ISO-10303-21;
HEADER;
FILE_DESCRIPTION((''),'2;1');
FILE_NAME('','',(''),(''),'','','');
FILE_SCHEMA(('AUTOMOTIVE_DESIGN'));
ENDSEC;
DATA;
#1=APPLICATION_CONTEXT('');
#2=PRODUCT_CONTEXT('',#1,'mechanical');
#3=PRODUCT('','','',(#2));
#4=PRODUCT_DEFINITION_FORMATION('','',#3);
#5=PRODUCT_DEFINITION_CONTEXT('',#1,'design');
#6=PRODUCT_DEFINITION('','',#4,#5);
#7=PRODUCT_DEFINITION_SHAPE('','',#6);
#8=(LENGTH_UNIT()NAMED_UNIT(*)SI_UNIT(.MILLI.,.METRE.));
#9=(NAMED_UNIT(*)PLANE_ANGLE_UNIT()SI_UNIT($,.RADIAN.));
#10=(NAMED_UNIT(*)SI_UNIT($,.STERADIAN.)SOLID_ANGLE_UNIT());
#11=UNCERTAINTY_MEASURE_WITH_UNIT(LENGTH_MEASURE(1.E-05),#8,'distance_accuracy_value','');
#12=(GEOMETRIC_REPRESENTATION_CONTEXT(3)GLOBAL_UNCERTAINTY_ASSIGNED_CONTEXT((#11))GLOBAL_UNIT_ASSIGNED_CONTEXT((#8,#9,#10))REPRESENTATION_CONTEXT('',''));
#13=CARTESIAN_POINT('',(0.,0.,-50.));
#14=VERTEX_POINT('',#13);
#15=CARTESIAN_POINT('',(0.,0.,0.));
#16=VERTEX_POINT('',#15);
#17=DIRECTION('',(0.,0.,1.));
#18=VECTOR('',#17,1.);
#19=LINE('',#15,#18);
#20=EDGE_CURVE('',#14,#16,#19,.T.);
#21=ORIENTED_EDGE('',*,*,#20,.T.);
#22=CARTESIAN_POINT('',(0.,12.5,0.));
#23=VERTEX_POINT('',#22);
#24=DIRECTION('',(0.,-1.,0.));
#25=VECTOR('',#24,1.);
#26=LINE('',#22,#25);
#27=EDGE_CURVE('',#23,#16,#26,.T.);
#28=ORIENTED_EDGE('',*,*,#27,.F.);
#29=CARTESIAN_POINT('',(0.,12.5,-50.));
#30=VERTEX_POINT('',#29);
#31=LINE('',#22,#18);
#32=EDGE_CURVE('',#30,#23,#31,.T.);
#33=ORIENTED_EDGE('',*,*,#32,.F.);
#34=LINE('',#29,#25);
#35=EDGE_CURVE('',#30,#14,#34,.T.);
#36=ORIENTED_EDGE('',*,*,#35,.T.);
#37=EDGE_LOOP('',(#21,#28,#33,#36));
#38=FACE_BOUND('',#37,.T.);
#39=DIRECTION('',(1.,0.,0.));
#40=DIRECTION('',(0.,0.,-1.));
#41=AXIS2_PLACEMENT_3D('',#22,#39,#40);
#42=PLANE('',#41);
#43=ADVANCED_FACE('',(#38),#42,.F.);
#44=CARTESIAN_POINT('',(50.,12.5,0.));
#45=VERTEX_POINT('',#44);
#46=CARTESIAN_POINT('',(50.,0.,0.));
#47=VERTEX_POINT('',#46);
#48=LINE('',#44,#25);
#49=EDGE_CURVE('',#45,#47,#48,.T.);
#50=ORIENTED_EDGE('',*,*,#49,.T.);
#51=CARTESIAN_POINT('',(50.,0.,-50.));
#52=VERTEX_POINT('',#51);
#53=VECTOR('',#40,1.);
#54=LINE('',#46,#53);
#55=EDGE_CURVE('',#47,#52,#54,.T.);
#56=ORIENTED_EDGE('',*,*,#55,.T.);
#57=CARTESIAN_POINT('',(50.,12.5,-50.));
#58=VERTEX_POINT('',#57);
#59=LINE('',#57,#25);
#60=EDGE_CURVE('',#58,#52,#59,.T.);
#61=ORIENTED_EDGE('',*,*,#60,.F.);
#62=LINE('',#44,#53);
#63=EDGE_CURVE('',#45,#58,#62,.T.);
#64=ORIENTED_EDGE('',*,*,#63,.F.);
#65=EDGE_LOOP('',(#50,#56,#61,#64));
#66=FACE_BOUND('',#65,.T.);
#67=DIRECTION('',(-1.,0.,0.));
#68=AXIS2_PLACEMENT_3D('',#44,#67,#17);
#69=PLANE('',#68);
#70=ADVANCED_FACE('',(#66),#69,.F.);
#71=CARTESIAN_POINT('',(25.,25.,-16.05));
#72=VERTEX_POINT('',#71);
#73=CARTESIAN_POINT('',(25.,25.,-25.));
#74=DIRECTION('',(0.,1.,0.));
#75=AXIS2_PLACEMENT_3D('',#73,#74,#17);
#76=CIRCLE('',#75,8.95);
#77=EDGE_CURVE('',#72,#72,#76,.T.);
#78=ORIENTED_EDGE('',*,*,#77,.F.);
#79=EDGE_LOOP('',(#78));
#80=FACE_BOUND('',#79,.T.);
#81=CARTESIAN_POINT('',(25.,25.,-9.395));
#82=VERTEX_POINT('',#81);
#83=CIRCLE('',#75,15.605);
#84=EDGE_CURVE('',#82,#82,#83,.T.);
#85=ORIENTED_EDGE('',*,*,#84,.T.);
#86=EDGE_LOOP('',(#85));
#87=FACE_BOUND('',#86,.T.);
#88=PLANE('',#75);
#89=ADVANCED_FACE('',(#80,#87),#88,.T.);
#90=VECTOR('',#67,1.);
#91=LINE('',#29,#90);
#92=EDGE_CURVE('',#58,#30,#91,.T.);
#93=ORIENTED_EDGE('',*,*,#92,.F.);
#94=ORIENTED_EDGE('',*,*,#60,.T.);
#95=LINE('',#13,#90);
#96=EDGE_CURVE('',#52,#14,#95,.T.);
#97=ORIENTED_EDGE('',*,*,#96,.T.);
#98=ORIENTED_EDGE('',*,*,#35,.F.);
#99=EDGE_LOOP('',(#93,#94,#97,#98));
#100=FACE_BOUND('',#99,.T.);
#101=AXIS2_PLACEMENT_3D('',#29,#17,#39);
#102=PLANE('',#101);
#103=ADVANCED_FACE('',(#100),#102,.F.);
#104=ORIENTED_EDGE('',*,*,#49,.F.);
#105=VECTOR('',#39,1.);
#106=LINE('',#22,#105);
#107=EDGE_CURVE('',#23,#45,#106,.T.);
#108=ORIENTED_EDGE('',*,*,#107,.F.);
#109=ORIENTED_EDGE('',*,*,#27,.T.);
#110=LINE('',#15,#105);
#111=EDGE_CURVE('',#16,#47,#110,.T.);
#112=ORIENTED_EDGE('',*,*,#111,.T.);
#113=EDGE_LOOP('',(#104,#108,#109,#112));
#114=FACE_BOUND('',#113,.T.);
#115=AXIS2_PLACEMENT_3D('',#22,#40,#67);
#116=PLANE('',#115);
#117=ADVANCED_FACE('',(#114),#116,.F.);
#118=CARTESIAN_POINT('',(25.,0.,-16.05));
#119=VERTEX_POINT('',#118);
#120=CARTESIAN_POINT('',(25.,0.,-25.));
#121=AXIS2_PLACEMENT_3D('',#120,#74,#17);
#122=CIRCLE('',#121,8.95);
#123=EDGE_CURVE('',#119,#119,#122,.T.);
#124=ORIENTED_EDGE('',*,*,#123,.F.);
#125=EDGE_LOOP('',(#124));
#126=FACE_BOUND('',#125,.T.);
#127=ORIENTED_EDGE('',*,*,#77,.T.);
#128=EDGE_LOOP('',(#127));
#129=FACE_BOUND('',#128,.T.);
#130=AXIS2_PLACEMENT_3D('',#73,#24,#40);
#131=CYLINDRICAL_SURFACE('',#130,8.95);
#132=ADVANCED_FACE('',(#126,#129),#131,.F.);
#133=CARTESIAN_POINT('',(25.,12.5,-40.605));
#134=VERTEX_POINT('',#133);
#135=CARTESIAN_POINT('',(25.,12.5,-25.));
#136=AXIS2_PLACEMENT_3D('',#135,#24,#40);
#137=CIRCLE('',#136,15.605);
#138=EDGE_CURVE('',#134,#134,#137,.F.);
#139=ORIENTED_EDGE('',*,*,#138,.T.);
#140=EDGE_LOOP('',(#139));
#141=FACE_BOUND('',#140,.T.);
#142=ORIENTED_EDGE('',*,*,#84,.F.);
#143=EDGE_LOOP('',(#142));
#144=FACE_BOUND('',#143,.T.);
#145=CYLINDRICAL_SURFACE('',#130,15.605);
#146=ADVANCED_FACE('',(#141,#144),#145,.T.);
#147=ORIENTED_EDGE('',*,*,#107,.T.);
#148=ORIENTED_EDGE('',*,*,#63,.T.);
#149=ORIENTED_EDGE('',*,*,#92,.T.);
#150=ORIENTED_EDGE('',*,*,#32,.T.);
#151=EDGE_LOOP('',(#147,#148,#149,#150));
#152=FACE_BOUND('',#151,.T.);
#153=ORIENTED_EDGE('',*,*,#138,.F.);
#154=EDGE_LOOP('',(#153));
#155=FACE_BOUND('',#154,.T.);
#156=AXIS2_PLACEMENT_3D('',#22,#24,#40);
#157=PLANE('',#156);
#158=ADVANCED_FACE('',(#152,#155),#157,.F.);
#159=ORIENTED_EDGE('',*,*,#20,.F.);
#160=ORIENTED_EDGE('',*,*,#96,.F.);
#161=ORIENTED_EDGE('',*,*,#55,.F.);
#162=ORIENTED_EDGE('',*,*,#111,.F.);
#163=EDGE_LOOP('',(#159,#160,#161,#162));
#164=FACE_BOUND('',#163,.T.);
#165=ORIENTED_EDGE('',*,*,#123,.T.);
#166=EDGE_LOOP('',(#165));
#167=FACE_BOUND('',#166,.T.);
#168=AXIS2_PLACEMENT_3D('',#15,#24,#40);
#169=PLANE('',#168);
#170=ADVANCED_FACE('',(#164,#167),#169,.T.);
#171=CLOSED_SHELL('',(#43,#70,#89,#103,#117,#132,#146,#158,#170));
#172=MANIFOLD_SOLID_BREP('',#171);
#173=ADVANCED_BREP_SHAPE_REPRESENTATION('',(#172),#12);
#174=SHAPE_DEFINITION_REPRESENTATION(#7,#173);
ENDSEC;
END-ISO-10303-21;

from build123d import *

# Parameters (mm, degrees)
SKETCH1_W           = 50
SKETCH1_H           = 50
BOSS_EXTRUDE1_DEPTH = 12.5
SKETCH2_R           = 15.605
SKETCH2_R_2         = 8.95
BOSS_EXTRUDE2_DEPTH = 12.5
SKETCH3_R           = 8.95
CUT_EXTRUDE1_DEPTH  = 76


with BuildPart() as part:
    # Sketch1 → Boss-Extrude1 (new body)
    with BuildSketch(Plane(origin=(0, 0, 0), x_dir=(1, 0, 0), z_dir=(0, 1, 0))):
        with Locations((25, 25)):
            Rectangle(SKETCH1_W, SKETCH1_H)
    extrude(amount=BOSS_EXTRUDE1_DEPTH)

    # Sketch2 → Boss-Extrude2 (add)
    with BuildSketch(Plane(origin=(0, 12.5, 0), x_dir=(1, 0, 0), z_dir=(0, 1, 0))):
        with Locations(Location((25, 25, 0), (0, 0, 90))):
            Circle(SKETCH2_R)
        with Locations(Location((25, 25, 0), (0, 0, 270))):
            Circle(SKETCH2_R_2, mode=Mode.SUBTRACT)
    extrude(amount=BOSS_EXTRUDE2_DEPTH)

    # Sketch3 → Cut-Extrude1 (cut, through all)
    with BuildSketch(Plane(origin=(0, 25, 0), x_dir=(1, 0, 0), z_dir=(0, 1, 0))):
        with Locations(Location((25, 25, 0), (0, 0, 270))):
            Circle(SKETCH3_R)
    extrude(amount=-CUT_EXTRUDE1_DEPTH, mode=Mode.SUBTRACT)


solid = part.part
